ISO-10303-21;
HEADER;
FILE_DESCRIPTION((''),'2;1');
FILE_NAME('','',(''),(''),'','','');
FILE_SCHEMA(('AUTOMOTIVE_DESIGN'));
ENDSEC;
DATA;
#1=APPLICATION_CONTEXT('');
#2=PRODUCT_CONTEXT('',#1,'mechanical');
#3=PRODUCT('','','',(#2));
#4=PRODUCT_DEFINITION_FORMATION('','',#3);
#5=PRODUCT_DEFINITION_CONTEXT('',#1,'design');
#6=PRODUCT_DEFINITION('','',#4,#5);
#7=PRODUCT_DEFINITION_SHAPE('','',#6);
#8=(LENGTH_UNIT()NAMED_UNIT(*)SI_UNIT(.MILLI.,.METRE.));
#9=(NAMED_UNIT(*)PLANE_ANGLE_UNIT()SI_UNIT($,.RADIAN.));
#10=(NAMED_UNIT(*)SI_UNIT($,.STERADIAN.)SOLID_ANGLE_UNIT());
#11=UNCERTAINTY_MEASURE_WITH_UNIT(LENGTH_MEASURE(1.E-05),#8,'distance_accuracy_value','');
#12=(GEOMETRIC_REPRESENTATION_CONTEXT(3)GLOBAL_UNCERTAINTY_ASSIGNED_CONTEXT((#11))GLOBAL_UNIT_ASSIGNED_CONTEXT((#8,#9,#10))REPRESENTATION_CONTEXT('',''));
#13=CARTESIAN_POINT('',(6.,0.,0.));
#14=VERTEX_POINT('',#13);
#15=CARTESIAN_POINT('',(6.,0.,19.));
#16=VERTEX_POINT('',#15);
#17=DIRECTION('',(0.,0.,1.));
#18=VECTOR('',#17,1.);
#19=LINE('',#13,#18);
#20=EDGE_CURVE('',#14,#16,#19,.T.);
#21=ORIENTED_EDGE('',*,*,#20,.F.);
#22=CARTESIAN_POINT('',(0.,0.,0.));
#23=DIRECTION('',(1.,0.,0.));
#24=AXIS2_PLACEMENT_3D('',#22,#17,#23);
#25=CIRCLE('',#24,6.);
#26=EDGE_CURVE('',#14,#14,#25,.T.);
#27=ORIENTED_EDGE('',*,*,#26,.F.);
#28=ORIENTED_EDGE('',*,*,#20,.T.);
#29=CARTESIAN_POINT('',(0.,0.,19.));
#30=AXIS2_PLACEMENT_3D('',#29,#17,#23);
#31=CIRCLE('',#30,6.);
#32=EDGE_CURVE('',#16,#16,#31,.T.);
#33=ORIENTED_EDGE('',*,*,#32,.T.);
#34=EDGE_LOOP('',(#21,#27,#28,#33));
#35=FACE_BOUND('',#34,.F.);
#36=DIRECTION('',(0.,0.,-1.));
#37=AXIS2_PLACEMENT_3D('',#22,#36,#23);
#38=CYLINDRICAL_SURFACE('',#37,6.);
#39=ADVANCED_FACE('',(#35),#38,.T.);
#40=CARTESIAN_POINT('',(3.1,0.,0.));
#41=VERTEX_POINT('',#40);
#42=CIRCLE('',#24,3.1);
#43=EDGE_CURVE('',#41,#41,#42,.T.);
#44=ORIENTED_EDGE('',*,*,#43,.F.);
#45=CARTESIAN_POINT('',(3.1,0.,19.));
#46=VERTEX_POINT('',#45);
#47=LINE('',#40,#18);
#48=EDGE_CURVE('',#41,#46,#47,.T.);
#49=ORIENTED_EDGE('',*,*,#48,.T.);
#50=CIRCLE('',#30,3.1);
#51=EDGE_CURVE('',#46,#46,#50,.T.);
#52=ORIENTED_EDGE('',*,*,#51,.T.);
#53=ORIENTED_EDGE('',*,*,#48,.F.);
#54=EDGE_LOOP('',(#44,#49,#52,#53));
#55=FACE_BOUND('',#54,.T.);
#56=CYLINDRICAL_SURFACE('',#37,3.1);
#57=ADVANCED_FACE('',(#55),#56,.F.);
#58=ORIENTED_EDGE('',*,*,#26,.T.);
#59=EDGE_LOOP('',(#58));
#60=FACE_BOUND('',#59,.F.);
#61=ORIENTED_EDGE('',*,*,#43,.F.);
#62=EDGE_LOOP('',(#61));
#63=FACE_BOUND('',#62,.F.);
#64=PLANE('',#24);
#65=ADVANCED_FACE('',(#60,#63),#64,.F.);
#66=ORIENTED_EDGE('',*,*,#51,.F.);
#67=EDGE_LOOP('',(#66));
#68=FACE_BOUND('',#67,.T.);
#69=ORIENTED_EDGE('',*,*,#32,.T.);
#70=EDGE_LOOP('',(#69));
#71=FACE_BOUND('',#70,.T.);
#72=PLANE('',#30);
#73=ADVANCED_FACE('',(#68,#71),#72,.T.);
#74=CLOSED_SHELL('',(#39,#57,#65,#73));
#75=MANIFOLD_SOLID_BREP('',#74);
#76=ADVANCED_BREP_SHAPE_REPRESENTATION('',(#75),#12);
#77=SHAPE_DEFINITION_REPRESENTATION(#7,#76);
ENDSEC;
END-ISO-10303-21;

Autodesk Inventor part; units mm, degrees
sketch "Sketch1" plane through (0, 0, 0) normal (0, 0, 1) x (1, 0, 0)
  line L0 (0, 2.8582) -> (0, -2.8582) construction
  line L1 (-5.7775, 0) -> (5.7775, 0) construction
  circle A0 centre (0, 0) radius 3.1
  circle A1 centre (0, 0) radius 6
  dimension "d0" = 6.2
  dimension "d1" = 12
extrude "Extrusion1" add sketch "Sketch1" along normal blind 19
properties part number "Hoeswiel" material "S235"
